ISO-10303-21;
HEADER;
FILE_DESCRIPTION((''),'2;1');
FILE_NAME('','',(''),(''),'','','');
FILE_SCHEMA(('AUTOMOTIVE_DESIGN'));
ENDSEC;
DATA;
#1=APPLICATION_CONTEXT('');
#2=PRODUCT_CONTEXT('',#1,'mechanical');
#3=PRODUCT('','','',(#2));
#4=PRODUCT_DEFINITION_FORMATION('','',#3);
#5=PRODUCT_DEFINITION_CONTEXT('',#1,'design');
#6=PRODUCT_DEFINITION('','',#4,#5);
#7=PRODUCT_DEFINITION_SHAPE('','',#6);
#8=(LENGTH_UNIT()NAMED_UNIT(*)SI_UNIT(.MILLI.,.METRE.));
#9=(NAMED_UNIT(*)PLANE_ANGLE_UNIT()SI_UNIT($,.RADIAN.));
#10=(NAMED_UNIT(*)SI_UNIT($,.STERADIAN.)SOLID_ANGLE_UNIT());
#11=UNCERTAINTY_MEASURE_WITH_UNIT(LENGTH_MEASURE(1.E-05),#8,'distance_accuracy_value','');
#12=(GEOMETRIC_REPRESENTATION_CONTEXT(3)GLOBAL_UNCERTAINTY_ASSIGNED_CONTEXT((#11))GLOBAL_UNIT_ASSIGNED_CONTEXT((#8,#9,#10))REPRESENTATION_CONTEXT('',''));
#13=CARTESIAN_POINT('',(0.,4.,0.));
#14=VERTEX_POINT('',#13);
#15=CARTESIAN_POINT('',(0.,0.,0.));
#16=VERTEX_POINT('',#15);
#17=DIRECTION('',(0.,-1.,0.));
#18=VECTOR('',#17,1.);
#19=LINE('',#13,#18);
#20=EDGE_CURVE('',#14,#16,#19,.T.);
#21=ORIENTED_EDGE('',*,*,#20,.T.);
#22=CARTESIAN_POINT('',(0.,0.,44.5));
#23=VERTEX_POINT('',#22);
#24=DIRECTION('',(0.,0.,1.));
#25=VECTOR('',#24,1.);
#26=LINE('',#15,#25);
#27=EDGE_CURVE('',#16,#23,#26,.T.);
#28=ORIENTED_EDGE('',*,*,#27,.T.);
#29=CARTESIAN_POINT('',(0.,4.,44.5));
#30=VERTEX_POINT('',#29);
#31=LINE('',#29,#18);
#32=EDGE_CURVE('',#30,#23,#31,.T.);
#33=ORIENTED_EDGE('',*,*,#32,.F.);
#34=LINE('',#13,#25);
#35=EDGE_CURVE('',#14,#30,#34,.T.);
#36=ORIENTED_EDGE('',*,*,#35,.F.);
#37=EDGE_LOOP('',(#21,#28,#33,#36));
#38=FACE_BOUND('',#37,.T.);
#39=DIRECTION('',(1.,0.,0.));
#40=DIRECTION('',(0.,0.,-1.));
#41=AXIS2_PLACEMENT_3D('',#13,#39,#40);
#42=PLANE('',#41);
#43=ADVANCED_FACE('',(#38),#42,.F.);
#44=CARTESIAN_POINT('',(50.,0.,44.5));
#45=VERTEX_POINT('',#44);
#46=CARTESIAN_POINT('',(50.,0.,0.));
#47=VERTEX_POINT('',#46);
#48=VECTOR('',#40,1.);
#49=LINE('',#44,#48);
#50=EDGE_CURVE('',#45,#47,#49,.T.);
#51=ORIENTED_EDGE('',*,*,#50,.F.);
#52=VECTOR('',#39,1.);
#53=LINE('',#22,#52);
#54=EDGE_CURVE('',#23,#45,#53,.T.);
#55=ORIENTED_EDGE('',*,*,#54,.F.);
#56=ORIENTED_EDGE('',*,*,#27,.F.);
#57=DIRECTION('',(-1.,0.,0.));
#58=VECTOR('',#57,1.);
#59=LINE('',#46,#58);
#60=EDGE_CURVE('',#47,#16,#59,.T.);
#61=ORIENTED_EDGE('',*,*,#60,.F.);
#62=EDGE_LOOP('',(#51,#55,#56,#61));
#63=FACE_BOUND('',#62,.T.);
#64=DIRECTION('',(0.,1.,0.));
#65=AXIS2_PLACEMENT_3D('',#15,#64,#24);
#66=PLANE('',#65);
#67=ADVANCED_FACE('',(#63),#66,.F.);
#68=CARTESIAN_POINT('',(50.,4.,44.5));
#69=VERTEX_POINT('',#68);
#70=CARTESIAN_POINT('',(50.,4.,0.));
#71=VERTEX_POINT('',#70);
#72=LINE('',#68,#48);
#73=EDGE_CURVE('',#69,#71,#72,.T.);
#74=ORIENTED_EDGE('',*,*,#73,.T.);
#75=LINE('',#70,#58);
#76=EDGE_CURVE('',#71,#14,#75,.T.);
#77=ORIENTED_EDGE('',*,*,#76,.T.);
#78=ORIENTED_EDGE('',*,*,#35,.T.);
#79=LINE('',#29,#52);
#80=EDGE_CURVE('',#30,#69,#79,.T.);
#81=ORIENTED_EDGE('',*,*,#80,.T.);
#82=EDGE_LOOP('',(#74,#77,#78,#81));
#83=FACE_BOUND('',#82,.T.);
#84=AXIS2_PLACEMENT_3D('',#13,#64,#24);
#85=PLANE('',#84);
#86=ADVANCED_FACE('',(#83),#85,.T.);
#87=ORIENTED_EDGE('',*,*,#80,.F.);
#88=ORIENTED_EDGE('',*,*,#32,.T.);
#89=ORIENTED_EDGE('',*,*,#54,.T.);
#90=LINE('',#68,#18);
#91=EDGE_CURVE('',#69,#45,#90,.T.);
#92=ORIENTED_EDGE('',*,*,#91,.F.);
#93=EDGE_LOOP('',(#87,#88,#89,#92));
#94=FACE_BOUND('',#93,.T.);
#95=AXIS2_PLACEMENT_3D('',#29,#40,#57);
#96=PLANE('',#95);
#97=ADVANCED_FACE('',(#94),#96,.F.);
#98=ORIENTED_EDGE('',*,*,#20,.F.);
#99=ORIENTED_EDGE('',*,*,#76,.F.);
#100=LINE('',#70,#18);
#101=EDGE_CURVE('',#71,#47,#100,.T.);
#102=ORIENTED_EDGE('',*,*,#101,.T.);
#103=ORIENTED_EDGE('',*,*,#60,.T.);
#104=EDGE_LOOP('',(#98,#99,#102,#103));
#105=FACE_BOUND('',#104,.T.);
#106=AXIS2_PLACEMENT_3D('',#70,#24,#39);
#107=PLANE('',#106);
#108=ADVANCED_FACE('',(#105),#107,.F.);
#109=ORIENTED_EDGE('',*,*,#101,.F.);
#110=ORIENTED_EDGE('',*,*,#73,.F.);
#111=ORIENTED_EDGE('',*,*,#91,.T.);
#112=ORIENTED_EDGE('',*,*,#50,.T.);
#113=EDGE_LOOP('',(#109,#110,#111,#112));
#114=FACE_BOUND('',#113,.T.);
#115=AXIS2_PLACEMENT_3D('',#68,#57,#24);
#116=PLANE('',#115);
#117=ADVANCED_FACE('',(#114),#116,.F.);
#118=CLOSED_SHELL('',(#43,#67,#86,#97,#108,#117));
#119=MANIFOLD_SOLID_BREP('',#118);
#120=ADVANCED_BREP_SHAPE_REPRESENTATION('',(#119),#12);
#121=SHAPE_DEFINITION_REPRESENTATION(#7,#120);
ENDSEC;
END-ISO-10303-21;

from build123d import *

# Parameters (mm, degrees)
SKETCH_1_W      = 50
SKETCH_1_H      = 44.5
EXTRUDE_1_DEPTH = 4


with BuildPart() as part:
    # 草图1 → 凸台-拉伸1 (new body)
    with BuildSketch(Plane(origin=(0, 0, 0), x_dir=(1, 0, 0), z_dir=(0, 1, 0))):
        with Locations((25, -22.25)):
            Rectangle(SKETCH_1_W, SKETCH_1_H)
    extrude(amount=EXTRUDE_1_DEPTH)


solid = part.part
